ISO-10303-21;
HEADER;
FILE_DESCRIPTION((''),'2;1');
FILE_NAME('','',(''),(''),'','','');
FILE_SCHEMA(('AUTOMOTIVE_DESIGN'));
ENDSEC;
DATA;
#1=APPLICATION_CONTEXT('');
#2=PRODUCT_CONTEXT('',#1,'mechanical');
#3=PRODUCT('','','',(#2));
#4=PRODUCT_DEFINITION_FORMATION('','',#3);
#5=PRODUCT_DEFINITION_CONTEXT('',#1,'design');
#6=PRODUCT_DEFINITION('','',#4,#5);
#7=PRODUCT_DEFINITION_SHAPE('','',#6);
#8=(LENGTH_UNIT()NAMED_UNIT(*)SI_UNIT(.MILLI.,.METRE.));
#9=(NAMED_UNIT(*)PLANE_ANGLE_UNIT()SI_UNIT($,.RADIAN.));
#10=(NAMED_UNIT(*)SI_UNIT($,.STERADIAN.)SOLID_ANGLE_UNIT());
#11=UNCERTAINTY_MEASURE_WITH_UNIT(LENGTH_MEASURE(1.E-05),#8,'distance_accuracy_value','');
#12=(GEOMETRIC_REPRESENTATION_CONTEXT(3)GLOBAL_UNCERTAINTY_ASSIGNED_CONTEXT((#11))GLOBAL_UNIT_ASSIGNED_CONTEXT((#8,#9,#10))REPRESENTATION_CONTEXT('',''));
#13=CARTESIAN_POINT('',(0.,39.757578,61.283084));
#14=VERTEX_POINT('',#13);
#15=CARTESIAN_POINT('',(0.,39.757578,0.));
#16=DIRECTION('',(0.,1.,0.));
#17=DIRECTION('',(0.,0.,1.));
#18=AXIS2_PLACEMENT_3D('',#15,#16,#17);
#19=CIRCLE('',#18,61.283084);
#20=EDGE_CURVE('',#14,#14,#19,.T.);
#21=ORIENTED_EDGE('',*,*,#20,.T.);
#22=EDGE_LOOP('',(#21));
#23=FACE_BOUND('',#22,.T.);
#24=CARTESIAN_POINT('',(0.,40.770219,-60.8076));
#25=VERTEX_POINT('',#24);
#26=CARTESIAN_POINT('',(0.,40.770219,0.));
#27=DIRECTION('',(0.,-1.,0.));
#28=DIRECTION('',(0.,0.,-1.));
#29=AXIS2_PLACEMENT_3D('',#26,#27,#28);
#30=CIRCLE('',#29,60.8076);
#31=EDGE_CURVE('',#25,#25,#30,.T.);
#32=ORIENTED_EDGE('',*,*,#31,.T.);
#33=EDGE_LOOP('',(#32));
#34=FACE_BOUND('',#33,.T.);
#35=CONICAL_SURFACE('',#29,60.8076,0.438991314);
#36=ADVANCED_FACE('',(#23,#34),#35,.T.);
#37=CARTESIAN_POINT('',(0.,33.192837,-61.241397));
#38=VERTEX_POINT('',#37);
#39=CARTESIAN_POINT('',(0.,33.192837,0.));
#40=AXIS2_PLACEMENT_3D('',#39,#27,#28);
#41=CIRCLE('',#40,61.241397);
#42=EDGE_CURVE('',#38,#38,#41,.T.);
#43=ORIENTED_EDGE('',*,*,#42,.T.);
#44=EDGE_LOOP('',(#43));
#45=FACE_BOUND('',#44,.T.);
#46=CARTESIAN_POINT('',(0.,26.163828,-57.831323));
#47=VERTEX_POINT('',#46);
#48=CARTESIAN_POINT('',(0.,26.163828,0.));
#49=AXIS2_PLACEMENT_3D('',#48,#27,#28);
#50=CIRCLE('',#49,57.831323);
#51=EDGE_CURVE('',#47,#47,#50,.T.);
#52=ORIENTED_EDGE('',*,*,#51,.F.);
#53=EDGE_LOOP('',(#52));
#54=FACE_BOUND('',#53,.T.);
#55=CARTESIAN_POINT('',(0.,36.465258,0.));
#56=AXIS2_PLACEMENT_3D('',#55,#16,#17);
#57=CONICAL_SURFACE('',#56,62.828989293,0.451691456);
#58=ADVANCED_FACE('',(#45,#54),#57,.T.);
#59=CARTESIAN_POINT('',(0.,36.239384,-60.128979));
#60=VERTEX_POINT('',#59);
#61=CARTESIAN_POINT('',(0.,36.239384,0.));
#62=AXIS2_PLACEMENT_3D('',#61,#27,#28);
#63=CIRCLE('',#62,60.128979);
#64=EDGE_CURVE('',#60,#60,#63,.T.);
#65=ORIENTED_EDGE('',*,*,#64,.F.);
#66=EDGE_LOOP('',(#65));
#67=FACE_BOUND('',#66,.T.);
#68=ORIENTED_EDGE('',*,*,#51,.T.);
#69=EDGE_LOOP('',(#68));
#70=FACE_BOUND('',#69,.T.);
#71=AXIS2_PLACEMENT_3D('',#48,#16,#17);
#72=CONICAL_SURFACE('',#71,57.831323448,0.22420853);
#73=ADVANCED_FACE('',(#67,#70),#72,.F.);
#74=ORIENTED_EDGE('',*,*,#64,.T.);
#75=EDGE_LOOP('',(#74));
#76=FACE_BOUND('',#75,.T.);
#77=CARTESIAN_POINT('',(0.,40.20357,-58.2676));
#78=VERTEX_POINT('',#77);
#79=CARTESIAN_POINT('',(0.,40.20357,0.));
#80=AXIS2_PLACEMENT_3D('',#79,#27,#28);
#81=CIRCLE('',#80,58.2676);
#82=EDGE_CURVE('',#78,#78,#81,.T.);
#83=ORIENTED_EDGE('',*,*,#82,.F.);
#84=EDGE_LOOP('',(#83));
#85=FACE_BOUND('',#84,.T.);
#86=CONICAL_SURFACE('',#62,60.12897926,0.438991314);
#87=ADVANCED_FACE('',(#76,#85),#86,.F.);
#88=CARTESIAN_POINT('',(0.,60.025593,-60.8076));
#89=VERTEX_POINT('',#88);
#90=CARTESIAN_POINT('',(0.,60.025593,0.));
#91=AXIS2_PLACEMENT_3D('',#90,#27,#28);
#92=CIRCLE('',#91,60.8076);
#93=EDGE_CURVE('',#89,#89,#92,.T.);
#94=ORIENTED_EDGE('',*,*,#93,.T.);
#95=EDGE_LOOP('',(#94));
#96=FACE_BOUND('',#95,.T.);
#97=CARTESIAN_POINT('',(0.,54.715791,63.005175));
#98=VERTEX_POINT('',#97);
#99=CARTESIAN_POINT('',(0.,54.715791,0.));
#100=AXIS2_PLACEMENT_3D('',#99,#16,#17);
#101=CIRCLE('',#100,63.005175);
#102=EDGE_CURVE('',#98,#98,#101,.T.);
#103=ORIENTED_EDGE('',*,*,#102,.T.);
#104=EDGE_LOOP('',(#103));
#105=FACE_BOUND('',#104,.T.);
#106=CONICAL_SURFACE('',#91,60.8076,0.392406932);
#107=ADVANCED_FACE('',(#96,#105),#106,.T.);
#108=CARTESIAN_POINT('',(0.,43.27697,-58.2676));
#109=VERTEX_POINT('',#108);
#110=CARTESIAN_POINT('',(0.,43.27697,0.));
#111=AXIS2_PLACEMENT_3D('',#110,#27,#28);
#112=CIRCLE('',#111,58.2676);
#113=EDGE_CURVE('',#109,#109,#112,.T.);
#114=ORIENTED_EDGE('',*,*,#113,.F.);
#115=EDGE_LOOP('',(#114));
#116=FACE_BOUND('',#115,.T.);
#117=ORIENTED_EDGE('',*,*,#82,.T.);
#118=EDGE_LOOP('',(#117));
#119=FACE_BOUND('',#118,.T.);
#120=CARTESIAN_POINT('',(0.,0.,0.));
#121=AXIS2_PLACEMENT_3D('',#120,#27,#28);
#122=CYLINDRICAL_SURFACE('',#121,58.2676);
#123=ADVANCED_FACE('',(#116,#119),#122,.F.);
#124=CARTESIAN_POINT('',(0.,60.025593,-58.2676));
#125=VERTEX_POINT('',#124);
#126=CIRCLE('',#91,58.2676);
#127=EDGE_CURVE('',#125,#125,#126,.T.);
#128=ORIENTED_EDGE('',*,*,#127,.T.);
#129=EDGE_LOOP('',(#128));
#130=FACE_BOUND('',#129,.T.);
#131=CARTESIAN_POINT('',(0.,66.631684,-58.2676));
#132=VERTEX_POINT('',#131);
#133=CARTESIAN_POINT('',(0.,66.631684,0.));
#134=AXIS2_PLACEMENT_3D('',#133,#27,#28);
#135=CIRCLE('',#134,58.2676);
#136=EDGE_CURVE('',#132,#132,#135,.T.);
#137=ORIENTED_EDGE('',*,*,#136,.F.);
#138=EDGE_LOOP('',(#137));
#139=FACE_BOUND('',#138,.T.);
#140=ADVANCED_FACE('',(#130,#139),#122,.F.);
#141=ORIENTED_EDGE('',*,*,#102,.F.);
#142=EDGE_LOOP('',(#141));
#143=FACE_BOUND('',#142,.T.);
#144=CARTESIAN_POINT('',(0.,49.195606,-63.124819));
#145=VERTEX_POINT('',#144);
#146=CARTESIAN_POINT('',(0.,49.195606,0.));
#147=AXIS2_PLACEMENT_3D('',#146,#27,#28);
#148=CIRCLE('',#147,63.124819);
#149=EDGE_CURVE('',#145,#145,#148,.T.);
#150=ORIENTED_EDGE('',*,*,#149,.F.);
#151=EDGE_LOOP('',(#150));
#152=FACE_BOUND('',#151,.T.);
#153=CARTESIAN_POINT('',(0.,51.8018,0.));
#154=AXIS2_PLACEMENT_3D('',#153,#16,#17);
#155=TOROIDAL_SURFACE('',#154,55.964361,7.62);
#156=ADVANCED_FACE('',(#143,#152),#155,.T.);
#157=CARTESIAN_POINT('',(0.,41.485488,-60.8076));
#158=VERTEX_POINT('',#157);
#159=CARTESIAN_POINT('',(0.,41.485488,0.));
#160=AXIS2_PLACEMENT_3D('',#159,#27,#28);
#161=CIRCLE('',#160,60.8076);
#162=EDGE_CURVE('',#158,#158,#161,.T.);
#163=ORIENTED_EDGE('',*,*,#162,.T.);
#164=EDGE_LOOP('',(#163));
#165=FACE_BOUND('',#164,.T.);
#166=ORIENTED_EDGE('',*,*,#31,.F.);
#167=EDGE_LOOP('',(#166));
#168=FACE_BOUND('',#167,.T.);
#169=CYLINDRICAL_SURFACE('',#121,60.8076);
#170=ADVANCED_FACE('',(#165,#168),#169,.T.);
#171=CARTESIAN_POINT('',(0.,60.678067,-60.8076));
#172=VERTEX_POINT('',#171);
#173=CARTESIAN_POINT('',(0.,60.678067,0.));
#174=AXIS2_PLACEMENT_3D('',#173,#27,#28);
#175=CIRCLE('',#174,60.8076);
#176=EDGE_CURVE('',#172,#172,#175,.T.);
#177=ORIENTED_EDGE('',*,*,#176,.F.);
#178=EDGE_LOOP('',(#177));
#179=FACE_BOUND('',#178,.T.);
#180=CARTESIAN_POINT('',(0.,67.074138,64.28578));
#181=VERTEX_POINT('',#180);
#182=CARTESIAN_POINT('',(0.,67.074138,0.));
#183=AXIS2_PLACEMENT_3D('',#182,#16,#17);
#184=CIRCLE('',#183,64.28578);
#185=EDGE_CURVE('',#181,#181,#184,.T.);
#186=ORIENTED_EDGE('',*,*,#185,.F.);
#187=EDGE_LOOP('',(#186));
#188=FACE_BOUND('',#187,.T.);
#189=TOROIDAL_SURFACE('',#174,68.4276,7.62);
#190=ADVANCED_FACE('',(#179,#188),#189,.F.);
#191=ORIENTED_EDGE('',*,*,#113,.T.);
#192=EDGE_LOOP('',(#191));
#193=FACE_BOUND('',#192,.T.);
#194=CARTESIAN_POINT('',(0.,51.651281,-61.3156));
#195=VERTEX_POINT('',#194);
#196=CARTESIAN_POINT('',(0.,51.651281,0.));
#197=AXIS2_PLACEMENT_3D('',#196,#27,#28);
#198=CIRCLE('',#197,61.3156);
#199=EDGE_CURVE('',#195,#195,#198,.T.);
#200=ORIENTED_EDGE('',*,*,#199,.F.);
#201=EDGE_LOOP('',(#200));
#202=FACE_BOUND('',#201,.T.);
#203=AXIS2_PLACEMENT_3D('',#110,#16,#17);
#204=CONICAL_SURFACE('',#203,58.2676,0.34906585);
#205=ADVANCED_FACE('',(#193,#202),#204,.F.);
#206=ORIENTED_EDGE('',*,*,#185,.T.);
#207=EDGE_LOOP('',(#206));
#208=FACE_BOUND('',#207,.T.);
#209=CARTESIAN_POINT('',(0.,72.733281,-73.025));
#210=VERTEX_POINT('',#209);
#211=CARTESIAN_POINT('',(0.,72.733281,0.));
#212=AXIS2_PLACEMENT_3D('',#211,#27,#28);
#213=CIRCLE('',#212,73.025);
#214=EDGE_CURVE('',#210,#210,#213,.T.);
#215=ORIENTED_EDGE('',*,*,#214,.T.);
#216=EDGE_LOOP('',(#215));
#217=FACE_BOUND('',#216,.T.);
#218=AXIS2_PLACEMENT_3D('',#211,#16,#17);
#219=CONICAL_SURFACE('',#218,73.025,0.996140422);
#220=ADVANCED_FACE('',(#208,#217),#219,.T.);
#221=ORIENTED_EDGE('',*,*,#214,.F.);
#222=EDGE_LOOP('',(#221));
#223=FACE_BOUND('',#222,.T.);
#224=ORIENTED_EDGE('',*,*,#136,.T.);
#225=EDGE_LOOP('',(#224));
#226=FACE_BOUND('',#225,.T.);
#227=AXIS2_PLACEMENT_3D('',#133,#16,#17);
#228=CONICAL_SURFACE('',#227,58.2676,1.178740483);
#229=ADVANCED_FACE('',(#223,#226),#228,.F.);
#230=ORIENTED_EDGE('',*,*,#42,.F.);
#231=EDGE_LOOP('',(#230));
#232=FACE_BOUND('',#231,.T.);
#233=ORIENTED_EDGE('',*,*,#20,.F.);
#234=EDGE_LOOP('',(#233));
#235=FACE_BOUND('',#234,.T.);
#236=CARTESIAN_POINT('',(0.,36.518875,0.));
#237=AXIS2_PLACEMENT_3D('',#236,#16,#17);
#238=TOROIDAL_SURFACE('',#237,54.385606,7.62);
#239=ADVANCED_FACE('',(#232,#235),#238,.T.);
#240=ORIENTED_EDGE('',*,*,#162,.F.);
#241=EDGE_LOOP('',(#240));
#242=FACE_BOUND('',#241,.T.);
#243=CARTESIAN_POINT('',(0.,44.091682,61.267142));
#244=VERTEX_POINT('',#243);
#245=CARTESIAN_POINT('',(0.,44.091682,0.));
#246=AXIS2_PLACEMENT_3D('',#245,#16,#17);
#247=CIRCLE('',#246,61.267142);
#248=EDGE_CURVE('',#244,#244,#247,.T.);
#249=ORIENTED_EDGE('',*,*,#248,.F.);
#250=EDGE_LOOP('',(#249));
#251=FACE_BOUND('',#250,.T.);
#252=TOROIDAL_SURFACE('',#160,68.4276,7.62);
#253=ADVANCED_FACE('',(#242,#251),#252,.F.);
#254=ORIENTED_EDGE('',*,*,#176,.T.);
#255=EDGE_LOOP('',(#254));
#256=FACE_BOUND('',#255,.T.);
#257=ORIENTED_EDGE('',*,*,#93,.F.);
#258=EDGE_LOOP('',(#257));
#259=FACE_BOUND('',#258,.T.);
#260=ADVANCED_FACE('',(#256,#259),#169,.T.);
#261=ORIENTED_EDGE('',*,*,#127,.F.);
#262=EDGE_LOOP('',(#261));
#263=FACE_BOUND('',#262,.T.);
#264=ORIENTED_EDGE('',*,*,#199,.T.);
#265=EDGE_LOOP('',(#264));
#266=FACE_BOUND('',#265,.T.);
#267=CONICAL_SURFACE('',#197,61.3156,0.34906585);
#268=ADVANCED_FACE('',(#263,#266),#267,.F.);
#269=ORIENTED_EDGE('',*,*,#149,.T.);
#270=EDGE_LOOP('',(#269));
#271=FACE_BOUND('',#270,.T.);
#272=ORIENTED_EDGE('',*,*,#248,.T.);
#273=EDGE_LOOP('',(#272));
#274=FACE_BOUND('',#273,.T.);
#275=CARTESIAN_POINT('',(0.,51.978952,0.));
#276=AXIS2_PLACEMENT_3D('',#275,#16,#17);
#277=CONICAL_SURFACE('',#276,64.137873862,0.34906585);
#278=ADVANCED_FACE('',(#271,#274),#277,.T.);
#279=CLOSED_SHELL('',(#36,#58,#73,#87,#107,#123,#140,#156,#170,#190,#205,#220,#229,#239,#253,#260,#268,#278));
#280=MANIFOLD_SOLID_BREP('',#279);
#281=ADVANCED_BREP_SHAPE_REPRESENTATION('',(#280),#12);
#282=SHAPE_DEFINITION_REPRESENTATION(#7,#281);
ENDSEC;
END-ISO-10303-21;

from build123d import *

# Parameters (mm, degrees)
FILLET1_R = 7.62


with BuildPart() as part:
    # Sketch2 → Revolve1 (revolve)
    with BuildSketch(Plane.XY):
        Polygon((-58.2676, 43.2769703), (-58.2676, 40.2035703), (-60.12897926, 36.239383837), (-57.831323448, 26.163828165), (-62.828989293, 36.465258256), (-60.8076, 40.770218692), (-60.8076, 42.829099769), (-64.137873862, 51.978952006), (-60.8076, 60.025592649), (-60.8076, 64.821818572), (-73.025, 72.733281474), (-58.2676, 66.631684467), (-58.2676, 60.025592649), (-61.3156, 51.651281474), align=None)
    revolve(axis=Axis((0, 0, 0), (0, 1, 0)))

    # Fillet1
    fillet1_edges = [part.edges().sort_by_distance(p)[0] for p in [
        (64.137873862, 51.978952006, 0),
        (60.8076, 42.829099769, 0),
        (62.828989293, 36.465258256, 0),
        (60.8076, 64.821818572, 0),
    ]]
    fillet(fillet1_edges, radius=FILLET1_R)


solid = part.part
